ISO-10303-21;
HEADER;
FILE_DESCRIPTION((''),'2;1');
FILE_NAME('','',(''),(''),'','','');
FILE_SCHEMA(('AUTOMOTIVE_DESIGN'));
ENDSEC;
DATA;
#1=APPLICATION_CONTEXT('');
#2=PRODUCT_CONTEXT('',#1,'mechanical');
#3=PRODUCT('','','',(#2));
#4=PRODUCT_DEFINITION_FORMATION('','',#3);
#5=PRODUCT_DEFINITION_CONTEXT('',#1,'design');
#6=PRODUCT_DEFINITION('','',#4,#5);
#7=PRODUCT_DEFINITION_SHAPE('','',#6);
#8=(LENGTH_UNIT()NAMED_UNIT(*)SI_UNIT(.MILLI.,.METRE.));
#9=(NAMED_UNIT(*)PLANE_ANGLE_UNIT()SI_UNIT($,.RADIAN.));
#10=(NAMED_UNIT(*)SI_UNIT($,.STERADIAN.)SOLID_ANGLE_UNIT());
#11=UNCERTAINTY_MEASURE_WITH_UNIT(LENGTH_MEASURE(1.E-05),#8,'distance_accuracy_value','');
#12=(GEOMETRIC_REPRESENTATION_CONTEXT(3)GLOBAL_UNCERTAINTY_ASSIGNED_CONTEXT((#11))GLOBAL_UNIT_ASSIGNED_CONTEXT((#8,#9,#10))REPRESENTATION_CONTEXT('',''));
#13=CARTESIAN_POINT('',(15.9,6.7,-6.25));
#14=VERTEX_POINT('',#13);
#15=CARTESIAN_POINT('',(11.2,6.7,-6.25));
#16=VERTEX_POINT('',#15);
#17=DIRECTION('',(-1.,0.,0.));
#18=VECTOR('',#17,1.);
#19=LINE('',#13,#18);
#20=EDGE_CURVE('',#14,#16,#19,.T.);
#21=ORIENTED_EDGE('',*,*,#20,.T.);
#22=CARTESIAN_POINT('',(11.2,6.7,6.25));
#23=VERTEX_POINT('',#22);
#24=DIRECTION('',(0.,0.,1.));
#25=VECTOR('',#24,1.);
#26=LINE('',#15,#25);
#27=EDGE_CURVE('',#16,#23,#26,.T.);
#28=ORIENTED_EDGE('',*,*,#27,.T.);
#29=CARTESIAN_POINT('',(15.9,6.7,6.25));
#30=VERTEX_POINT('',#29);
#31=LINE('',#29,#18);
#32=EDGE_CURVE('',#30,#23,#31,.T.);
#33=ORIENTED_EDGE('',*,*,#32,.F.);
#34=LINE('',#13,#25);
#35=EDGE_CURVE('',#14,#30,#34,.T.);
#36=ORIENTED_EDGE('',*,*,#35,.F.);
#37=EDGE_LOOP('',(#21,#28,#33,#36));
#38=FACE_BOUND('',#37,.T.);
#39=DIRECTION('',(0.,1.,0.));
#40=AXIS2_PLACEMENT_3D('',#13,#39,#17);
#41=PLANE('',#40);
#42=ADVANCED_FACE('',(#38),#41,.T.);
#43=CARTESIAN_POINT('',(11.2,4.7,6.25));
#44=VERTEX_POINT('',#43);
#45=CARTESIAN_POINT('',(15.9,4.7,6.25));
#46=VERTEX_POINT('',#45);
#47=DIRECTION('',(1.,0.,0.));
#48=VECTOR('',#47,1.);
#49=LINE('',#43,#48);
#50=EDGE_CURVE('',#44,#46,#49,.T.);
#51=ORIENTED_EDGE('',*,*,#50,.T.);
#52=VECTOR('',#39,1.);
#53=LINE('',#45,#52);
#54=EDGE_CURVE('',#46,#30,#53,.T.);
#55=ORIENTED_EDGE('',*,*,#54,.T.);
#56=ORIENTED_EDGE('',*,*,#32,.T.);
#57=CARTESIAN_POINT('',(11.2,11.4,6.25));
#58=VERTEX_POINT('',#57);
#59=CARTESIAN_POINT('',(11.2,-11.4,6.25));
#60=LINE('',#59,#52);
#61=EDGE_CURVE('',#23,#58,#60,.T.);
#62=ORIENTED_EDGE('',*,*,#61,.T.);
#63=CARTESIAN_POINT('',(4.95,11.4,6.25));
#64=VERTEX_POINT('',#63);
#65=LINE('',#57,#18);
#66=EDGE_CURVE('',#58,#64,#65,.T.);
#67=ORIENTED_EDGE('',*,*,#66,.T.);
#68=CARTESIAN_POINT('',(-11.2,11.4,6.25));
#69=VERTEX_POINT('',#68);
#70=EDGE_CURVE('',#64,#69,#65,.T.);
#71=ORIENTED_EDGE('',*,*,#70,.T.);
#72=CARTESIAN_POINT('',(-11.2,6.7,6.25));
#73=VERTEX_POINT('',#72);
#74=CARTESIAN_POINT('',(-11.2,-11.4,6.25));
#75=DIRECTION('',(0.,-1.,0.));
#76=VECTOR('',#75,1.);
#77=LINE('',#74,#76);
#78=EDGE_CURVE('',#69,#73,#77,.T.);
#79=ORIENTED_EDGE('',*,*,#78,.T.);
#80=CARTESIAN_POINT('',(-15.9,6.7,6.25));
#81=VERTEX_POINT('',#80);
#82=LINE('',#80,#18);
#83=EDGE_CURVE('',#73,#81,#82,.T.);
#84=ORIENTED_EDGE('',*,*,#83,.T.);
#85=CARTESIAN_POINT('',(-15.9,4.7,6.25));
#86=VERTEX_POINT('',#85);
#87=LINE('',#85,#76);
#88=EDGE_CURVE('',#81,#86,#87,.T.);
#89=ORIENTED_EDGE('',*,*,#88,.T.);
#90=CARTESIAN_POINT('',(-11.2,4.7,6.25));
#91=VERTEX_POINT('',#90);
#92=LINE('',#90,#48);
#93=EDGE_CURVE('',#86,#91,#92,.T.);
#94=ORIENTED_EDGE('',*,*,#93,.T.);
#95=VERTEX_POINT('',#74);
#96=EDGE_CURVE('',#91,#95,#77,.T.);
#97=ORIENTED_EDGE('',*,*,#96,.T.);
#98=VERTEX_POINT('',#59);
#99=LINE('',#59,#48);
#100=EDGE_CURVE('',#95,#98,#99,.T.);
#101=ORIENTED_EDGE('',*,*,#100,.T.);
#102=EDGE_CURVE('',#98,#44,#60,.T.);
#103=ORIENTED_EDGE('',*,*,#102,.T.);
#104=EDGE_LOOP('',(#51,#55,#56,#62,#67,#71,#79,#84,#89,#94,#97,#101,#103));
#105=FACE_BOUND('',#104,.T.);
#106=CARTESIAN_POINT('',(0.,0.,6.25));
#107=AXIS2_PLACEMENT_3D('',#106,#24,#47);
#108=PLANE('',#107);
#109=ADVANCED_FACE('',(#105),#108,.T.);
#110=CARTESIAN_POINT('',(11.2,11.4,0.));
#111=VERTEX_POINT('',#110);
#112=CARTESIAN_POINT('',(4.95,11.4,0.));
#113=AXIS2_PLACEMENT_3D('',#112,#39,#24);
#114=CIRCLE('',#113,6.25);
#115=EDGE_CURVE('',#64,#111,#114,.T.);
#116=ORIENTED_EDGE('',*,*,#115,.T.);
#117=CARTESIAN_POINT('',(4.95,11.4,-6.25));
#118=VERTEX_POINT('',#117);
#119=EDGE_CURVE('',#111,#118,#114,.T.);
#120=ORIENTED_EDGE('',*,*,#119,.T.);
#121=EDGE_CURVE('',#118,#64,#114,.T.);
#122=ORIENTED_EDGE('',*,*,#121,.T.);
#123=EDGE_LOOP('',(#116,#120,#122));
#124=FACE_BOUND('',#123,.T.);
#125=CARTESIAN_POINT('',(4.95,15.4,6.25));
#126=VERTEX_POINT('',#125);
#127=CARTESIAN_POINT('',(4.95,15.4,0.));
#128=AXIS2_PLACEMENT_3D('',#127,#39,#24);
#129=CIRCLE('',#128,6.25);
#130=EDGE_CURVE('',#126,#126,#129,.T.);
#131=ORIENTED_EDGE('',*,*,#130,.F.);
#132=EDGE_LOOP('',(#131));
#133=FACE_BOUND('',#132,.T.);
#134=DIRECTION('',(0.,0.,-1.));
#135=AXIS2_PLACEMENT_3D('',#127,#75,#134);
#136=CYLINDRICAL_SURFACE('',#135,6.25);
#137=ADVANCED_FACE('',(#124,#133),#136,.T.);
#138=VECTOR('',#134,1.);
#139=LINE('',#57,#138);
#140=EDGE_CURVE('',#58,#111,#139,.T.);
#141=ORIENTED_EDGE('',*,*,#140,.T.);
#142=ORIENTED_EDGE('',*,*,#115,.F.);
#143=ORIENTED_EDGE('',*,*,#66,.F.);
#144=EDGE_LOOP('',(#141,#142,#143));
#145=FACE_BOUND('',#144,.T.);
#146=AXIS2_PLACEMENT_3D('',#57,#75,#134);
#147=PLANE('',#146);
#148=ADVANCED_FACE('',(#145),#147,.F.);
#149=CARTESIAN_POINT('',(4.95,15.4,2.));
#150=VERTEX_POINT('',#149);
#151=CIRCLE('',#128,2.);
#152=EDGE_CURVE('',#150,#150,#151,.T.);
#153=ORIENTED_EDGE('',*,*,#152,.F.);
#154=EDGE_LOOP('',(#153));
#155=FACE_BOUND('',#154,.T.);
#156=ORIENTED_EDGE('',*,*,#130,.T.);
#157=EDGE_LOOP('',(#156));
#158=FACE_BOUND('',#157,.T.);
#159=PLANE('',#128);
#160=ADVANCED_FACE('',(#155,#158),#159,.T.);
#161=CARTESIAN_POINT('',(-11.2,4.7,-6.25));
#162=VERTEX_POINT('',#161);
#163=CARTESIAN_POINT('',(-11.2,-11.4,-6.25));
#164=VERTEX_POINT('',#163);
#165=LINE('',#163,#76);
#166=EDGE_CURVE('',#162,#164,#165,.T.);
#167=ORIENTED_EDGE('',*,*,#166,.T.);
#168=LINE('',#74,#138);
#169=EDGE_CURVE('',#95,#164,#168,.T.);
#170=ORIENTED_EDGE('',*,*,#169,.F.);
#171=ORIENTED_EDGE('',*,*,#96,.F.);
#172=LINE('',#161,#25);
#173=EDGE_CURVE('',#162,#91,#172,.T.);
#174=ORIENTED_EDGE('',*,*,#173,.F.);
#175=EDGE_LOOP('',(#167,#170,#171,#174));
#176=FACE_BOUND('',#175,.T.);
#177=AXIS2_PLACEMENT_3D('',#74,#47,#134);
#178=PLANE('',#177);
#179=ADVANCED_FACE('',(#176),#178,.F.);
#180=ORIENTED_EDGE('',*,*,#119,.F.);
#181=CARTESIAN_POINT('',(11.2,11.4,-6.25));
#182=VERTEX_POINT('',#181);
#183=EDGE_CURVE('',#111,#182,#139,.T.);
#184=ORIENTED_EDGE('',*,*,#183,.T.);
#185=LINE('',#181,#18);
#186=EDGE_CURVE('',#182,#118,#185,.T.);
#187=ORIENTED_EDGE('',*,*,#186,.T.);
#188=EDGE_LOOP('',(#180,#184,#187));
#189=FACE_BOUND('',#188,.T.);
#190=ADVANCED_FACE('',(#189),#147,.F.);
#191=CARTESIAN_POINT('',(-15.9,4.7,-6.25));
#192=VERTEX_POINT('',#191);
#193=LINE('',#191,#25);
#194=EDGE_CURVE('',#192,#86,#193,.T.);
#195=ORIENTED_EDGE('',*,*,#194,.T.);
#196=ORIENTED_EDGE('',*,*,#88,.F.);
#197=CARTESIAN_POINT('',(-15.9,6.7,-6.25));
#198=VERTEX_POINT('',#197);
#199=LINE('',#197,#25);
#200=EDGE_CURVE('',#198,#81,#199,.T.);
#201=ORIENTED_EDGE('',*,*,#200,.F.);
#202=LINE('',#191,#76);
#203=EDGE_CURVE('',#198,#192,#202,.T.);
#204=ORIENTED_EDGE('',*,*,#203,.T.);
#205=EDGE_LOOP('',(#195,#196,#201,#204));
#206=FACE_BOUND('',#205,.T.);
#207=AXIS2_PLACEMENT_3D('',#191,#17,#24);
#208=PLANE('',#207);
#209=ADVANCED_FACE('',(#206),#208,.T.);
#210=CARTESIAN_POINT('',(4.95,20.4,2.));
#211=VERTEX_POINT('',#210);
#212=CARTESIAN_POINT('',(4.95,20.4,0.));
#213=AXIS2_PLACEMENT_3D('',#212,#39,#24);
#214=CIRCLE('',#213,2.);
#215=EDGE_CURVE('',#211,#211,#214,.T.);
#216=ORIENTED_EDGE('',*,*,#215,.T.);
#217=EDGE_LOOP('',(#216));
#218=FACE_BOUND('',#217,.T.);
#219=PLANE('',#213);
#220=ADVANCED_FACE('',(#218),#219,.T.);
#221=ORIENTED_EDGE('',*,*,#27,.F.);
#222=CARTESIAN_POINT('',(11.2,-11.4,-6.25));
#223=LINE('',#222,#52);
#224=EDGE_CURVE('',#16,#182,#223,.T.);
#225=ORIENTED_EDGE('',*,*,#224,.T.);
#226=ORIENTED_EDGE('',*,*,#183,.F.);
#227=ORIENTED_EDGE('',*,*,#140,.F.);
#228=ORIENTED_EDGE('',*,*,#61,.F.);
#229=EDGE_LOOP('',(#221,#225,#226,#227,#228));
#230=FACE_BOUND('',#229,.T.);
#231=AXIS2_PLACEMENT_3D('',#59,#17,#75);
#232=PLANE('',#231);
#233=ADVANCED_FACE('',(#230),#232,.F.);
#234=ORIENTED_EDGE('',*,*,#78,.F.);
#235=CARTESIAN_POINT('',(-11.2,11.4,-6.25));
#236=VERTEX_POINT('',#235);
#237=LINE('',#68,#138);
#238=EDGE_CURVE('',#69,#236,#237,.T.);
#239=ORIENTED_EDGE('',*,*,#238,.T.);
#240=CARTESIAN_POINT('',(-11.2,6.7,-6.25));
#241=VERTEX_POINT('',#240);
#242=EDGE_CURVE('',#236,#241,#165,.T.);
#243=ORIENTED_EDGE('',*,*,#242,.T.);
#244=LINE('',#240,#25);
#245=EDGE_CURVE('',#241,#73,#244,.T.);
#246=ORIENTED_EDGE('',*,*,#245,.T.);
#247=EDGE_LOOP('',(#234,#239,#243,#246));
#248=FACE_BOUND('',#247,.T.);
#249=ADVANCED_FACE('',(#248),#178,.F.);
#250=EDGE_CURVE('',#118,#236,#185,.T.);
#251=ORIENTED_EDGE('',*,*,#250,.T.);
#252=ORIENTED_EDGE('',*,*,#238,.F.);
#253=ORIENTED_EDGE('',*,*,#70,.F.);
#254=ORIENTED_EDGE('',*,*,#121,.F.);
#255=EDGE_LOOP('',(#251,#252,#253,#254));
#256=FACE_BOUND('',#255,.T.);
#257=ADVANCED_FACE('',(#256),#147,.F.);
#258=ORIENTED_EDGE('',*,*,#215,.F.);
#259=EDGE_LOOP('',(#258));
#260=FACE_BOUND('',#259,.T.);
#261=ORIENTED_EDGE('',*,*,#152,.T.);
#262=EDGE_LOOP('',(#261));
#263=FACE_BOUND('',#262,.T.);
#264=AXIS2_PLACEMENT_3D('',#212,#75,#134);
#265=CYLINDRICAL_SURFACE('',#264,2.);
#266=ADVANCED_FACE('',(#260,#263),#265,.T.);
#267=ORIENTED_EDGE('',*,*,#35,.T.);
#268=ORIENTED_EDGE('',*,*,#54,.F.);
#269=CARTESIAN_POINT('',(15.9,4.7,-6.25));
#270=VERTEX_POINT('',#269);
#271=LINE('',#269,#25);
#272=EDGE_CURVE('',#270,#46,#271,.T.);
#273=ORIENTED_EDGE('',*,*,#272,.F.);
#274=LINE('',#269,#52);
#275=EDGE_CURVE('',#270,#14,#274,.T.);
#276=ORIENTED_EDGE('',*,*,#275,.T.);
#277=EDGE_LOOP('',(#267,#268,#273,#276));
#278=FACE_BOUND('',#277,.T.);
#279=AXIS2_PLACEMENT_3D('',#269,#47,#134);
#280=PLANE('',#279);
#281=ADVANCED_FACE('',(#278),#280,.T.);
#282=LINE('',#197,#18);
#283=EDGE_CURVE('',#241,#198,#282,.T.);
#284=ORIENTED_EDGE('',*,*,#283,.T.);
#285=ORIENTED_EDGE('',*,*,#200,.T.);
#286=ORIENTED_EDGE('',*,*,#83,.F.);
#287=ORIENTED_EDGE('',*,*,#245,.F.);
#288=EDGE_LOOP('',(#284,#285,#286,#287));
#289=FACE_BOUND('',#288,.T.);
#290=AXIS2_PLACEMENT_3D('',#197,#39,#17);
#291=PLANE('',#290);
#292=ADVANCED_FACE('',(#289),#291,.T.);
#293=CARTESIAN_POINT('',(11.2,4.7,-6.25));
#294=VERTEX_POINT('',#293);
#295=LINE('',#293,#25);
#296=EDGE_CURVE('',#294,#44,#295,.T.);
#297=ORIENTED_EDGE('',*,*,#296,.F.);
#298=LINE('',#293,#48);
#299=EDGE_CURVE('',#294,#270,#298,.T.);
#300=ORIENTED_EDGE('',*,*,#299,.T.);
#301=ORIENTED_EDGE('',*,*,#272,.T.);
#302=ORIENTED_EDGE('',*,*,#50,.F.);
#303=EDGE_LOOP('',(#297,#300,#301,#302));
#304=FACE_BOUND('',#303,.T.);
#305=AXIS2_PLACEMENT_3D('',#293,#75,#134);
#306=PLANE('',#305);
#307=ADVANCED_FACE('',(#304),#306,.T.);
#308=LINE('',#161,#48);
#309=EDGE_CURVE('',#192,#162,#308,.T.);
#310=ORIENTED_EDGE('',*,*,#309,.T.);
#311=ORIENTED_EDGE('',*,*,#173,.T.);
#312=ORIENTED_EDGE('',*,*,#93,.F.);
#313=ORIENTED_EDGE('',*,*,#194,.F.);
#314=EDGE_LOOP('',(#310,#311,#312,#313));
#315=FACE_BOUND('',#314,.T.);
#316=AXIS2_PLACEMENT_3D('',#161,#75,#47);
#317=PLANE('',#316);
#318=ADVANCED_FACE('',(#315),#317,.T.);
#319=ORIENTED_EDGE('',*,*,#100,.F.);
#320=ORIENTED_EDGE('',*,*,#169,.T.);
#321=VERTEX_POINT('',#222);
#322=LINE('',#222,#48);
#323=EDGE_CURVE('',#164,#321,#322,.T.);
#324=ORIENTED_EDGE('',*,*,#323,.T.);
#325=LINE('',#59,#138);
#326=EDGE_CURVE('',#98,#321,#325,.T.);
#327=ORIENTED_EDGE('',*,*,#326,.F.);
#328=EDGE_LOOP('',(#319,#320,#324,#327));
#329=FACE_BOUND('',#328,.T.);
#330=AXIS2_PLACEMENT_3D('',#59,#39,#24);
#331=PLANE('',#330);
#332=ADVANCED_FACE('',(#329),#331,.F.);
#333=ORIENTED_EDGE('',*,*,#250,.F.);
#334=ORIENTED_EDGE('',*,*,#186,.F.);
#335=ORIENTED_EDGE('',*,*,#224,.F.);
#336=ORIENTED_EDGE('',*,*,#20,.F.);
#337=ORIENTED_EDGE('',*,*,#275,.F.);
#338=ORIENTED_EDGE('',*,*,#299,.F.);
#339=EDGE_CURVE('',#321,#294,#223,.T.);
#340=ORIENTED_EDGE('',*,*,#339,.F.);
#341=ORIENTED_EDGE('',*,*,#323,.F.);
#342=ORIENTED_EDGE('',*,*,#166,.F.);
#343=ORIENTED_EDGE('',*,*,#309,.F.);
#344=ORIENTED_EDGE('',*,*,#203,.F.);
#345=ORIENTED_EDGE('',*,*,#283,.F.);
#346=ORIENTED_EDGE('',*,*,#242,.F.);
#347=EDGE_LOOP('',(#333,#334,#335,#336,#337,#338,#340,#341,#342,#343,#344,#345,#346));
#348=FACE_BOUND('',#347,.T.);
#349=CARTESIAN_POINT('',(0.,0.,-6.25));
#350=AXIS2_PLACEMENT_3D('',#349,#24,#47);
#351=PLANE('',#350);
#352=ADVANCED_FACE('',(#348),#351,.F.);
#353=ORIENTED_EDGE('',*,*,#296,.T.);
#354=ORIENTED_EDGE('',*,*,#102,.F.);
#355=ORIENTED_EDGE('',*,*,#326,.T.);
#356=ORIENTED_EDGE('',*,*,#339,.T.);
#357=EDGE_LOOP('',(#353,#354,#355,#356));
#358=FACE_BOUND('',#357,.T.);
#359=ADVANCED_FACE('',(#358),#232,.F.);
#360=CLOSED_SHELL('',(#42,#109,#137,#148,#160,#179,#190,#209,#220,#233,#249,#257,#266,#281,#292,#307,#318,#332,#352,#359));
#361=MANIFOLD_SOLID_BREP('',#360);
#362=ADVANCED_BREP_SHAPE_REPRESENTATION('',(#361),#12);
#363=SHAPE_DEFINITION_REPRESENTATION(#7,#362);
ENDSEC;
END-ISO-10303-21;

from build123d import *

# Parameters (mm, degrees)
SKETCH_1_W      = 22.4
SKETCH_1_H      = 22.8
EXTRUDE_1_DEPTH = 6.25
SKETCH_4_W      = 4.7
SKETCH_4_H      = 2
EXTRUDE_2_DEPTH = 12.5
SKETCH_5_R      = 6.25
EXTRUDE_3_DEPTH = 4
SKETCH_6_R      = 2
EXTRUDE_4_DEPTH = 5


with BuildPart() as part:
    # 草图1 → 凸台-拉伸1 (new, symmetric)
    with BuildSketch(Plane.XY):
        Rectangle(SKETCH_1_W, SKETCH_1_H)
    extrude(amount=EXTRUDE_1_DEPTH, both=True)

    # 草图4 → 凸台-拉伸2 (add)
    with BuildSketch(Plane.XY.offset(6.25)):
        with Locations((-13.55, 5.7)):
            Rectangle(SKETCH_4_W, SKETCH_4_H)
        with Locations((13.55, 5.7)):
            Rectangle(SKETCH_4_W, SKETCH_4_H)
    extrude(amount=-EXTRUDE_2_DEPTH)

    # 草图5 → 凸台-拉伸3 (add)
    with BuildSketch(Plane(origin=(0, 11.4, 0), x_dir=(1, 0, 0), z_dir=(0, 1, 0))):
        with Locations(Location((4.95, 0, 0), (0, 0, 270))):
            Circle(SKETCH_5_R)
    extrude(amount=EXTRUDE_3_DEPTH)

    # 草图6 → 凸台-拉伸4 (add)
    with BuildSketch(Plane(origin=(0, 15.4, 0), x_dir=(1, 0, 0), z_dir=(0, 1, 0))):
        with Locations(Location((4.95, 0, 0), (0, 0, 270))):
            Circle(SKETCH_6_R)
    extrude(amount=EXTRUDE_4_DEPTH)


solid = part.part
